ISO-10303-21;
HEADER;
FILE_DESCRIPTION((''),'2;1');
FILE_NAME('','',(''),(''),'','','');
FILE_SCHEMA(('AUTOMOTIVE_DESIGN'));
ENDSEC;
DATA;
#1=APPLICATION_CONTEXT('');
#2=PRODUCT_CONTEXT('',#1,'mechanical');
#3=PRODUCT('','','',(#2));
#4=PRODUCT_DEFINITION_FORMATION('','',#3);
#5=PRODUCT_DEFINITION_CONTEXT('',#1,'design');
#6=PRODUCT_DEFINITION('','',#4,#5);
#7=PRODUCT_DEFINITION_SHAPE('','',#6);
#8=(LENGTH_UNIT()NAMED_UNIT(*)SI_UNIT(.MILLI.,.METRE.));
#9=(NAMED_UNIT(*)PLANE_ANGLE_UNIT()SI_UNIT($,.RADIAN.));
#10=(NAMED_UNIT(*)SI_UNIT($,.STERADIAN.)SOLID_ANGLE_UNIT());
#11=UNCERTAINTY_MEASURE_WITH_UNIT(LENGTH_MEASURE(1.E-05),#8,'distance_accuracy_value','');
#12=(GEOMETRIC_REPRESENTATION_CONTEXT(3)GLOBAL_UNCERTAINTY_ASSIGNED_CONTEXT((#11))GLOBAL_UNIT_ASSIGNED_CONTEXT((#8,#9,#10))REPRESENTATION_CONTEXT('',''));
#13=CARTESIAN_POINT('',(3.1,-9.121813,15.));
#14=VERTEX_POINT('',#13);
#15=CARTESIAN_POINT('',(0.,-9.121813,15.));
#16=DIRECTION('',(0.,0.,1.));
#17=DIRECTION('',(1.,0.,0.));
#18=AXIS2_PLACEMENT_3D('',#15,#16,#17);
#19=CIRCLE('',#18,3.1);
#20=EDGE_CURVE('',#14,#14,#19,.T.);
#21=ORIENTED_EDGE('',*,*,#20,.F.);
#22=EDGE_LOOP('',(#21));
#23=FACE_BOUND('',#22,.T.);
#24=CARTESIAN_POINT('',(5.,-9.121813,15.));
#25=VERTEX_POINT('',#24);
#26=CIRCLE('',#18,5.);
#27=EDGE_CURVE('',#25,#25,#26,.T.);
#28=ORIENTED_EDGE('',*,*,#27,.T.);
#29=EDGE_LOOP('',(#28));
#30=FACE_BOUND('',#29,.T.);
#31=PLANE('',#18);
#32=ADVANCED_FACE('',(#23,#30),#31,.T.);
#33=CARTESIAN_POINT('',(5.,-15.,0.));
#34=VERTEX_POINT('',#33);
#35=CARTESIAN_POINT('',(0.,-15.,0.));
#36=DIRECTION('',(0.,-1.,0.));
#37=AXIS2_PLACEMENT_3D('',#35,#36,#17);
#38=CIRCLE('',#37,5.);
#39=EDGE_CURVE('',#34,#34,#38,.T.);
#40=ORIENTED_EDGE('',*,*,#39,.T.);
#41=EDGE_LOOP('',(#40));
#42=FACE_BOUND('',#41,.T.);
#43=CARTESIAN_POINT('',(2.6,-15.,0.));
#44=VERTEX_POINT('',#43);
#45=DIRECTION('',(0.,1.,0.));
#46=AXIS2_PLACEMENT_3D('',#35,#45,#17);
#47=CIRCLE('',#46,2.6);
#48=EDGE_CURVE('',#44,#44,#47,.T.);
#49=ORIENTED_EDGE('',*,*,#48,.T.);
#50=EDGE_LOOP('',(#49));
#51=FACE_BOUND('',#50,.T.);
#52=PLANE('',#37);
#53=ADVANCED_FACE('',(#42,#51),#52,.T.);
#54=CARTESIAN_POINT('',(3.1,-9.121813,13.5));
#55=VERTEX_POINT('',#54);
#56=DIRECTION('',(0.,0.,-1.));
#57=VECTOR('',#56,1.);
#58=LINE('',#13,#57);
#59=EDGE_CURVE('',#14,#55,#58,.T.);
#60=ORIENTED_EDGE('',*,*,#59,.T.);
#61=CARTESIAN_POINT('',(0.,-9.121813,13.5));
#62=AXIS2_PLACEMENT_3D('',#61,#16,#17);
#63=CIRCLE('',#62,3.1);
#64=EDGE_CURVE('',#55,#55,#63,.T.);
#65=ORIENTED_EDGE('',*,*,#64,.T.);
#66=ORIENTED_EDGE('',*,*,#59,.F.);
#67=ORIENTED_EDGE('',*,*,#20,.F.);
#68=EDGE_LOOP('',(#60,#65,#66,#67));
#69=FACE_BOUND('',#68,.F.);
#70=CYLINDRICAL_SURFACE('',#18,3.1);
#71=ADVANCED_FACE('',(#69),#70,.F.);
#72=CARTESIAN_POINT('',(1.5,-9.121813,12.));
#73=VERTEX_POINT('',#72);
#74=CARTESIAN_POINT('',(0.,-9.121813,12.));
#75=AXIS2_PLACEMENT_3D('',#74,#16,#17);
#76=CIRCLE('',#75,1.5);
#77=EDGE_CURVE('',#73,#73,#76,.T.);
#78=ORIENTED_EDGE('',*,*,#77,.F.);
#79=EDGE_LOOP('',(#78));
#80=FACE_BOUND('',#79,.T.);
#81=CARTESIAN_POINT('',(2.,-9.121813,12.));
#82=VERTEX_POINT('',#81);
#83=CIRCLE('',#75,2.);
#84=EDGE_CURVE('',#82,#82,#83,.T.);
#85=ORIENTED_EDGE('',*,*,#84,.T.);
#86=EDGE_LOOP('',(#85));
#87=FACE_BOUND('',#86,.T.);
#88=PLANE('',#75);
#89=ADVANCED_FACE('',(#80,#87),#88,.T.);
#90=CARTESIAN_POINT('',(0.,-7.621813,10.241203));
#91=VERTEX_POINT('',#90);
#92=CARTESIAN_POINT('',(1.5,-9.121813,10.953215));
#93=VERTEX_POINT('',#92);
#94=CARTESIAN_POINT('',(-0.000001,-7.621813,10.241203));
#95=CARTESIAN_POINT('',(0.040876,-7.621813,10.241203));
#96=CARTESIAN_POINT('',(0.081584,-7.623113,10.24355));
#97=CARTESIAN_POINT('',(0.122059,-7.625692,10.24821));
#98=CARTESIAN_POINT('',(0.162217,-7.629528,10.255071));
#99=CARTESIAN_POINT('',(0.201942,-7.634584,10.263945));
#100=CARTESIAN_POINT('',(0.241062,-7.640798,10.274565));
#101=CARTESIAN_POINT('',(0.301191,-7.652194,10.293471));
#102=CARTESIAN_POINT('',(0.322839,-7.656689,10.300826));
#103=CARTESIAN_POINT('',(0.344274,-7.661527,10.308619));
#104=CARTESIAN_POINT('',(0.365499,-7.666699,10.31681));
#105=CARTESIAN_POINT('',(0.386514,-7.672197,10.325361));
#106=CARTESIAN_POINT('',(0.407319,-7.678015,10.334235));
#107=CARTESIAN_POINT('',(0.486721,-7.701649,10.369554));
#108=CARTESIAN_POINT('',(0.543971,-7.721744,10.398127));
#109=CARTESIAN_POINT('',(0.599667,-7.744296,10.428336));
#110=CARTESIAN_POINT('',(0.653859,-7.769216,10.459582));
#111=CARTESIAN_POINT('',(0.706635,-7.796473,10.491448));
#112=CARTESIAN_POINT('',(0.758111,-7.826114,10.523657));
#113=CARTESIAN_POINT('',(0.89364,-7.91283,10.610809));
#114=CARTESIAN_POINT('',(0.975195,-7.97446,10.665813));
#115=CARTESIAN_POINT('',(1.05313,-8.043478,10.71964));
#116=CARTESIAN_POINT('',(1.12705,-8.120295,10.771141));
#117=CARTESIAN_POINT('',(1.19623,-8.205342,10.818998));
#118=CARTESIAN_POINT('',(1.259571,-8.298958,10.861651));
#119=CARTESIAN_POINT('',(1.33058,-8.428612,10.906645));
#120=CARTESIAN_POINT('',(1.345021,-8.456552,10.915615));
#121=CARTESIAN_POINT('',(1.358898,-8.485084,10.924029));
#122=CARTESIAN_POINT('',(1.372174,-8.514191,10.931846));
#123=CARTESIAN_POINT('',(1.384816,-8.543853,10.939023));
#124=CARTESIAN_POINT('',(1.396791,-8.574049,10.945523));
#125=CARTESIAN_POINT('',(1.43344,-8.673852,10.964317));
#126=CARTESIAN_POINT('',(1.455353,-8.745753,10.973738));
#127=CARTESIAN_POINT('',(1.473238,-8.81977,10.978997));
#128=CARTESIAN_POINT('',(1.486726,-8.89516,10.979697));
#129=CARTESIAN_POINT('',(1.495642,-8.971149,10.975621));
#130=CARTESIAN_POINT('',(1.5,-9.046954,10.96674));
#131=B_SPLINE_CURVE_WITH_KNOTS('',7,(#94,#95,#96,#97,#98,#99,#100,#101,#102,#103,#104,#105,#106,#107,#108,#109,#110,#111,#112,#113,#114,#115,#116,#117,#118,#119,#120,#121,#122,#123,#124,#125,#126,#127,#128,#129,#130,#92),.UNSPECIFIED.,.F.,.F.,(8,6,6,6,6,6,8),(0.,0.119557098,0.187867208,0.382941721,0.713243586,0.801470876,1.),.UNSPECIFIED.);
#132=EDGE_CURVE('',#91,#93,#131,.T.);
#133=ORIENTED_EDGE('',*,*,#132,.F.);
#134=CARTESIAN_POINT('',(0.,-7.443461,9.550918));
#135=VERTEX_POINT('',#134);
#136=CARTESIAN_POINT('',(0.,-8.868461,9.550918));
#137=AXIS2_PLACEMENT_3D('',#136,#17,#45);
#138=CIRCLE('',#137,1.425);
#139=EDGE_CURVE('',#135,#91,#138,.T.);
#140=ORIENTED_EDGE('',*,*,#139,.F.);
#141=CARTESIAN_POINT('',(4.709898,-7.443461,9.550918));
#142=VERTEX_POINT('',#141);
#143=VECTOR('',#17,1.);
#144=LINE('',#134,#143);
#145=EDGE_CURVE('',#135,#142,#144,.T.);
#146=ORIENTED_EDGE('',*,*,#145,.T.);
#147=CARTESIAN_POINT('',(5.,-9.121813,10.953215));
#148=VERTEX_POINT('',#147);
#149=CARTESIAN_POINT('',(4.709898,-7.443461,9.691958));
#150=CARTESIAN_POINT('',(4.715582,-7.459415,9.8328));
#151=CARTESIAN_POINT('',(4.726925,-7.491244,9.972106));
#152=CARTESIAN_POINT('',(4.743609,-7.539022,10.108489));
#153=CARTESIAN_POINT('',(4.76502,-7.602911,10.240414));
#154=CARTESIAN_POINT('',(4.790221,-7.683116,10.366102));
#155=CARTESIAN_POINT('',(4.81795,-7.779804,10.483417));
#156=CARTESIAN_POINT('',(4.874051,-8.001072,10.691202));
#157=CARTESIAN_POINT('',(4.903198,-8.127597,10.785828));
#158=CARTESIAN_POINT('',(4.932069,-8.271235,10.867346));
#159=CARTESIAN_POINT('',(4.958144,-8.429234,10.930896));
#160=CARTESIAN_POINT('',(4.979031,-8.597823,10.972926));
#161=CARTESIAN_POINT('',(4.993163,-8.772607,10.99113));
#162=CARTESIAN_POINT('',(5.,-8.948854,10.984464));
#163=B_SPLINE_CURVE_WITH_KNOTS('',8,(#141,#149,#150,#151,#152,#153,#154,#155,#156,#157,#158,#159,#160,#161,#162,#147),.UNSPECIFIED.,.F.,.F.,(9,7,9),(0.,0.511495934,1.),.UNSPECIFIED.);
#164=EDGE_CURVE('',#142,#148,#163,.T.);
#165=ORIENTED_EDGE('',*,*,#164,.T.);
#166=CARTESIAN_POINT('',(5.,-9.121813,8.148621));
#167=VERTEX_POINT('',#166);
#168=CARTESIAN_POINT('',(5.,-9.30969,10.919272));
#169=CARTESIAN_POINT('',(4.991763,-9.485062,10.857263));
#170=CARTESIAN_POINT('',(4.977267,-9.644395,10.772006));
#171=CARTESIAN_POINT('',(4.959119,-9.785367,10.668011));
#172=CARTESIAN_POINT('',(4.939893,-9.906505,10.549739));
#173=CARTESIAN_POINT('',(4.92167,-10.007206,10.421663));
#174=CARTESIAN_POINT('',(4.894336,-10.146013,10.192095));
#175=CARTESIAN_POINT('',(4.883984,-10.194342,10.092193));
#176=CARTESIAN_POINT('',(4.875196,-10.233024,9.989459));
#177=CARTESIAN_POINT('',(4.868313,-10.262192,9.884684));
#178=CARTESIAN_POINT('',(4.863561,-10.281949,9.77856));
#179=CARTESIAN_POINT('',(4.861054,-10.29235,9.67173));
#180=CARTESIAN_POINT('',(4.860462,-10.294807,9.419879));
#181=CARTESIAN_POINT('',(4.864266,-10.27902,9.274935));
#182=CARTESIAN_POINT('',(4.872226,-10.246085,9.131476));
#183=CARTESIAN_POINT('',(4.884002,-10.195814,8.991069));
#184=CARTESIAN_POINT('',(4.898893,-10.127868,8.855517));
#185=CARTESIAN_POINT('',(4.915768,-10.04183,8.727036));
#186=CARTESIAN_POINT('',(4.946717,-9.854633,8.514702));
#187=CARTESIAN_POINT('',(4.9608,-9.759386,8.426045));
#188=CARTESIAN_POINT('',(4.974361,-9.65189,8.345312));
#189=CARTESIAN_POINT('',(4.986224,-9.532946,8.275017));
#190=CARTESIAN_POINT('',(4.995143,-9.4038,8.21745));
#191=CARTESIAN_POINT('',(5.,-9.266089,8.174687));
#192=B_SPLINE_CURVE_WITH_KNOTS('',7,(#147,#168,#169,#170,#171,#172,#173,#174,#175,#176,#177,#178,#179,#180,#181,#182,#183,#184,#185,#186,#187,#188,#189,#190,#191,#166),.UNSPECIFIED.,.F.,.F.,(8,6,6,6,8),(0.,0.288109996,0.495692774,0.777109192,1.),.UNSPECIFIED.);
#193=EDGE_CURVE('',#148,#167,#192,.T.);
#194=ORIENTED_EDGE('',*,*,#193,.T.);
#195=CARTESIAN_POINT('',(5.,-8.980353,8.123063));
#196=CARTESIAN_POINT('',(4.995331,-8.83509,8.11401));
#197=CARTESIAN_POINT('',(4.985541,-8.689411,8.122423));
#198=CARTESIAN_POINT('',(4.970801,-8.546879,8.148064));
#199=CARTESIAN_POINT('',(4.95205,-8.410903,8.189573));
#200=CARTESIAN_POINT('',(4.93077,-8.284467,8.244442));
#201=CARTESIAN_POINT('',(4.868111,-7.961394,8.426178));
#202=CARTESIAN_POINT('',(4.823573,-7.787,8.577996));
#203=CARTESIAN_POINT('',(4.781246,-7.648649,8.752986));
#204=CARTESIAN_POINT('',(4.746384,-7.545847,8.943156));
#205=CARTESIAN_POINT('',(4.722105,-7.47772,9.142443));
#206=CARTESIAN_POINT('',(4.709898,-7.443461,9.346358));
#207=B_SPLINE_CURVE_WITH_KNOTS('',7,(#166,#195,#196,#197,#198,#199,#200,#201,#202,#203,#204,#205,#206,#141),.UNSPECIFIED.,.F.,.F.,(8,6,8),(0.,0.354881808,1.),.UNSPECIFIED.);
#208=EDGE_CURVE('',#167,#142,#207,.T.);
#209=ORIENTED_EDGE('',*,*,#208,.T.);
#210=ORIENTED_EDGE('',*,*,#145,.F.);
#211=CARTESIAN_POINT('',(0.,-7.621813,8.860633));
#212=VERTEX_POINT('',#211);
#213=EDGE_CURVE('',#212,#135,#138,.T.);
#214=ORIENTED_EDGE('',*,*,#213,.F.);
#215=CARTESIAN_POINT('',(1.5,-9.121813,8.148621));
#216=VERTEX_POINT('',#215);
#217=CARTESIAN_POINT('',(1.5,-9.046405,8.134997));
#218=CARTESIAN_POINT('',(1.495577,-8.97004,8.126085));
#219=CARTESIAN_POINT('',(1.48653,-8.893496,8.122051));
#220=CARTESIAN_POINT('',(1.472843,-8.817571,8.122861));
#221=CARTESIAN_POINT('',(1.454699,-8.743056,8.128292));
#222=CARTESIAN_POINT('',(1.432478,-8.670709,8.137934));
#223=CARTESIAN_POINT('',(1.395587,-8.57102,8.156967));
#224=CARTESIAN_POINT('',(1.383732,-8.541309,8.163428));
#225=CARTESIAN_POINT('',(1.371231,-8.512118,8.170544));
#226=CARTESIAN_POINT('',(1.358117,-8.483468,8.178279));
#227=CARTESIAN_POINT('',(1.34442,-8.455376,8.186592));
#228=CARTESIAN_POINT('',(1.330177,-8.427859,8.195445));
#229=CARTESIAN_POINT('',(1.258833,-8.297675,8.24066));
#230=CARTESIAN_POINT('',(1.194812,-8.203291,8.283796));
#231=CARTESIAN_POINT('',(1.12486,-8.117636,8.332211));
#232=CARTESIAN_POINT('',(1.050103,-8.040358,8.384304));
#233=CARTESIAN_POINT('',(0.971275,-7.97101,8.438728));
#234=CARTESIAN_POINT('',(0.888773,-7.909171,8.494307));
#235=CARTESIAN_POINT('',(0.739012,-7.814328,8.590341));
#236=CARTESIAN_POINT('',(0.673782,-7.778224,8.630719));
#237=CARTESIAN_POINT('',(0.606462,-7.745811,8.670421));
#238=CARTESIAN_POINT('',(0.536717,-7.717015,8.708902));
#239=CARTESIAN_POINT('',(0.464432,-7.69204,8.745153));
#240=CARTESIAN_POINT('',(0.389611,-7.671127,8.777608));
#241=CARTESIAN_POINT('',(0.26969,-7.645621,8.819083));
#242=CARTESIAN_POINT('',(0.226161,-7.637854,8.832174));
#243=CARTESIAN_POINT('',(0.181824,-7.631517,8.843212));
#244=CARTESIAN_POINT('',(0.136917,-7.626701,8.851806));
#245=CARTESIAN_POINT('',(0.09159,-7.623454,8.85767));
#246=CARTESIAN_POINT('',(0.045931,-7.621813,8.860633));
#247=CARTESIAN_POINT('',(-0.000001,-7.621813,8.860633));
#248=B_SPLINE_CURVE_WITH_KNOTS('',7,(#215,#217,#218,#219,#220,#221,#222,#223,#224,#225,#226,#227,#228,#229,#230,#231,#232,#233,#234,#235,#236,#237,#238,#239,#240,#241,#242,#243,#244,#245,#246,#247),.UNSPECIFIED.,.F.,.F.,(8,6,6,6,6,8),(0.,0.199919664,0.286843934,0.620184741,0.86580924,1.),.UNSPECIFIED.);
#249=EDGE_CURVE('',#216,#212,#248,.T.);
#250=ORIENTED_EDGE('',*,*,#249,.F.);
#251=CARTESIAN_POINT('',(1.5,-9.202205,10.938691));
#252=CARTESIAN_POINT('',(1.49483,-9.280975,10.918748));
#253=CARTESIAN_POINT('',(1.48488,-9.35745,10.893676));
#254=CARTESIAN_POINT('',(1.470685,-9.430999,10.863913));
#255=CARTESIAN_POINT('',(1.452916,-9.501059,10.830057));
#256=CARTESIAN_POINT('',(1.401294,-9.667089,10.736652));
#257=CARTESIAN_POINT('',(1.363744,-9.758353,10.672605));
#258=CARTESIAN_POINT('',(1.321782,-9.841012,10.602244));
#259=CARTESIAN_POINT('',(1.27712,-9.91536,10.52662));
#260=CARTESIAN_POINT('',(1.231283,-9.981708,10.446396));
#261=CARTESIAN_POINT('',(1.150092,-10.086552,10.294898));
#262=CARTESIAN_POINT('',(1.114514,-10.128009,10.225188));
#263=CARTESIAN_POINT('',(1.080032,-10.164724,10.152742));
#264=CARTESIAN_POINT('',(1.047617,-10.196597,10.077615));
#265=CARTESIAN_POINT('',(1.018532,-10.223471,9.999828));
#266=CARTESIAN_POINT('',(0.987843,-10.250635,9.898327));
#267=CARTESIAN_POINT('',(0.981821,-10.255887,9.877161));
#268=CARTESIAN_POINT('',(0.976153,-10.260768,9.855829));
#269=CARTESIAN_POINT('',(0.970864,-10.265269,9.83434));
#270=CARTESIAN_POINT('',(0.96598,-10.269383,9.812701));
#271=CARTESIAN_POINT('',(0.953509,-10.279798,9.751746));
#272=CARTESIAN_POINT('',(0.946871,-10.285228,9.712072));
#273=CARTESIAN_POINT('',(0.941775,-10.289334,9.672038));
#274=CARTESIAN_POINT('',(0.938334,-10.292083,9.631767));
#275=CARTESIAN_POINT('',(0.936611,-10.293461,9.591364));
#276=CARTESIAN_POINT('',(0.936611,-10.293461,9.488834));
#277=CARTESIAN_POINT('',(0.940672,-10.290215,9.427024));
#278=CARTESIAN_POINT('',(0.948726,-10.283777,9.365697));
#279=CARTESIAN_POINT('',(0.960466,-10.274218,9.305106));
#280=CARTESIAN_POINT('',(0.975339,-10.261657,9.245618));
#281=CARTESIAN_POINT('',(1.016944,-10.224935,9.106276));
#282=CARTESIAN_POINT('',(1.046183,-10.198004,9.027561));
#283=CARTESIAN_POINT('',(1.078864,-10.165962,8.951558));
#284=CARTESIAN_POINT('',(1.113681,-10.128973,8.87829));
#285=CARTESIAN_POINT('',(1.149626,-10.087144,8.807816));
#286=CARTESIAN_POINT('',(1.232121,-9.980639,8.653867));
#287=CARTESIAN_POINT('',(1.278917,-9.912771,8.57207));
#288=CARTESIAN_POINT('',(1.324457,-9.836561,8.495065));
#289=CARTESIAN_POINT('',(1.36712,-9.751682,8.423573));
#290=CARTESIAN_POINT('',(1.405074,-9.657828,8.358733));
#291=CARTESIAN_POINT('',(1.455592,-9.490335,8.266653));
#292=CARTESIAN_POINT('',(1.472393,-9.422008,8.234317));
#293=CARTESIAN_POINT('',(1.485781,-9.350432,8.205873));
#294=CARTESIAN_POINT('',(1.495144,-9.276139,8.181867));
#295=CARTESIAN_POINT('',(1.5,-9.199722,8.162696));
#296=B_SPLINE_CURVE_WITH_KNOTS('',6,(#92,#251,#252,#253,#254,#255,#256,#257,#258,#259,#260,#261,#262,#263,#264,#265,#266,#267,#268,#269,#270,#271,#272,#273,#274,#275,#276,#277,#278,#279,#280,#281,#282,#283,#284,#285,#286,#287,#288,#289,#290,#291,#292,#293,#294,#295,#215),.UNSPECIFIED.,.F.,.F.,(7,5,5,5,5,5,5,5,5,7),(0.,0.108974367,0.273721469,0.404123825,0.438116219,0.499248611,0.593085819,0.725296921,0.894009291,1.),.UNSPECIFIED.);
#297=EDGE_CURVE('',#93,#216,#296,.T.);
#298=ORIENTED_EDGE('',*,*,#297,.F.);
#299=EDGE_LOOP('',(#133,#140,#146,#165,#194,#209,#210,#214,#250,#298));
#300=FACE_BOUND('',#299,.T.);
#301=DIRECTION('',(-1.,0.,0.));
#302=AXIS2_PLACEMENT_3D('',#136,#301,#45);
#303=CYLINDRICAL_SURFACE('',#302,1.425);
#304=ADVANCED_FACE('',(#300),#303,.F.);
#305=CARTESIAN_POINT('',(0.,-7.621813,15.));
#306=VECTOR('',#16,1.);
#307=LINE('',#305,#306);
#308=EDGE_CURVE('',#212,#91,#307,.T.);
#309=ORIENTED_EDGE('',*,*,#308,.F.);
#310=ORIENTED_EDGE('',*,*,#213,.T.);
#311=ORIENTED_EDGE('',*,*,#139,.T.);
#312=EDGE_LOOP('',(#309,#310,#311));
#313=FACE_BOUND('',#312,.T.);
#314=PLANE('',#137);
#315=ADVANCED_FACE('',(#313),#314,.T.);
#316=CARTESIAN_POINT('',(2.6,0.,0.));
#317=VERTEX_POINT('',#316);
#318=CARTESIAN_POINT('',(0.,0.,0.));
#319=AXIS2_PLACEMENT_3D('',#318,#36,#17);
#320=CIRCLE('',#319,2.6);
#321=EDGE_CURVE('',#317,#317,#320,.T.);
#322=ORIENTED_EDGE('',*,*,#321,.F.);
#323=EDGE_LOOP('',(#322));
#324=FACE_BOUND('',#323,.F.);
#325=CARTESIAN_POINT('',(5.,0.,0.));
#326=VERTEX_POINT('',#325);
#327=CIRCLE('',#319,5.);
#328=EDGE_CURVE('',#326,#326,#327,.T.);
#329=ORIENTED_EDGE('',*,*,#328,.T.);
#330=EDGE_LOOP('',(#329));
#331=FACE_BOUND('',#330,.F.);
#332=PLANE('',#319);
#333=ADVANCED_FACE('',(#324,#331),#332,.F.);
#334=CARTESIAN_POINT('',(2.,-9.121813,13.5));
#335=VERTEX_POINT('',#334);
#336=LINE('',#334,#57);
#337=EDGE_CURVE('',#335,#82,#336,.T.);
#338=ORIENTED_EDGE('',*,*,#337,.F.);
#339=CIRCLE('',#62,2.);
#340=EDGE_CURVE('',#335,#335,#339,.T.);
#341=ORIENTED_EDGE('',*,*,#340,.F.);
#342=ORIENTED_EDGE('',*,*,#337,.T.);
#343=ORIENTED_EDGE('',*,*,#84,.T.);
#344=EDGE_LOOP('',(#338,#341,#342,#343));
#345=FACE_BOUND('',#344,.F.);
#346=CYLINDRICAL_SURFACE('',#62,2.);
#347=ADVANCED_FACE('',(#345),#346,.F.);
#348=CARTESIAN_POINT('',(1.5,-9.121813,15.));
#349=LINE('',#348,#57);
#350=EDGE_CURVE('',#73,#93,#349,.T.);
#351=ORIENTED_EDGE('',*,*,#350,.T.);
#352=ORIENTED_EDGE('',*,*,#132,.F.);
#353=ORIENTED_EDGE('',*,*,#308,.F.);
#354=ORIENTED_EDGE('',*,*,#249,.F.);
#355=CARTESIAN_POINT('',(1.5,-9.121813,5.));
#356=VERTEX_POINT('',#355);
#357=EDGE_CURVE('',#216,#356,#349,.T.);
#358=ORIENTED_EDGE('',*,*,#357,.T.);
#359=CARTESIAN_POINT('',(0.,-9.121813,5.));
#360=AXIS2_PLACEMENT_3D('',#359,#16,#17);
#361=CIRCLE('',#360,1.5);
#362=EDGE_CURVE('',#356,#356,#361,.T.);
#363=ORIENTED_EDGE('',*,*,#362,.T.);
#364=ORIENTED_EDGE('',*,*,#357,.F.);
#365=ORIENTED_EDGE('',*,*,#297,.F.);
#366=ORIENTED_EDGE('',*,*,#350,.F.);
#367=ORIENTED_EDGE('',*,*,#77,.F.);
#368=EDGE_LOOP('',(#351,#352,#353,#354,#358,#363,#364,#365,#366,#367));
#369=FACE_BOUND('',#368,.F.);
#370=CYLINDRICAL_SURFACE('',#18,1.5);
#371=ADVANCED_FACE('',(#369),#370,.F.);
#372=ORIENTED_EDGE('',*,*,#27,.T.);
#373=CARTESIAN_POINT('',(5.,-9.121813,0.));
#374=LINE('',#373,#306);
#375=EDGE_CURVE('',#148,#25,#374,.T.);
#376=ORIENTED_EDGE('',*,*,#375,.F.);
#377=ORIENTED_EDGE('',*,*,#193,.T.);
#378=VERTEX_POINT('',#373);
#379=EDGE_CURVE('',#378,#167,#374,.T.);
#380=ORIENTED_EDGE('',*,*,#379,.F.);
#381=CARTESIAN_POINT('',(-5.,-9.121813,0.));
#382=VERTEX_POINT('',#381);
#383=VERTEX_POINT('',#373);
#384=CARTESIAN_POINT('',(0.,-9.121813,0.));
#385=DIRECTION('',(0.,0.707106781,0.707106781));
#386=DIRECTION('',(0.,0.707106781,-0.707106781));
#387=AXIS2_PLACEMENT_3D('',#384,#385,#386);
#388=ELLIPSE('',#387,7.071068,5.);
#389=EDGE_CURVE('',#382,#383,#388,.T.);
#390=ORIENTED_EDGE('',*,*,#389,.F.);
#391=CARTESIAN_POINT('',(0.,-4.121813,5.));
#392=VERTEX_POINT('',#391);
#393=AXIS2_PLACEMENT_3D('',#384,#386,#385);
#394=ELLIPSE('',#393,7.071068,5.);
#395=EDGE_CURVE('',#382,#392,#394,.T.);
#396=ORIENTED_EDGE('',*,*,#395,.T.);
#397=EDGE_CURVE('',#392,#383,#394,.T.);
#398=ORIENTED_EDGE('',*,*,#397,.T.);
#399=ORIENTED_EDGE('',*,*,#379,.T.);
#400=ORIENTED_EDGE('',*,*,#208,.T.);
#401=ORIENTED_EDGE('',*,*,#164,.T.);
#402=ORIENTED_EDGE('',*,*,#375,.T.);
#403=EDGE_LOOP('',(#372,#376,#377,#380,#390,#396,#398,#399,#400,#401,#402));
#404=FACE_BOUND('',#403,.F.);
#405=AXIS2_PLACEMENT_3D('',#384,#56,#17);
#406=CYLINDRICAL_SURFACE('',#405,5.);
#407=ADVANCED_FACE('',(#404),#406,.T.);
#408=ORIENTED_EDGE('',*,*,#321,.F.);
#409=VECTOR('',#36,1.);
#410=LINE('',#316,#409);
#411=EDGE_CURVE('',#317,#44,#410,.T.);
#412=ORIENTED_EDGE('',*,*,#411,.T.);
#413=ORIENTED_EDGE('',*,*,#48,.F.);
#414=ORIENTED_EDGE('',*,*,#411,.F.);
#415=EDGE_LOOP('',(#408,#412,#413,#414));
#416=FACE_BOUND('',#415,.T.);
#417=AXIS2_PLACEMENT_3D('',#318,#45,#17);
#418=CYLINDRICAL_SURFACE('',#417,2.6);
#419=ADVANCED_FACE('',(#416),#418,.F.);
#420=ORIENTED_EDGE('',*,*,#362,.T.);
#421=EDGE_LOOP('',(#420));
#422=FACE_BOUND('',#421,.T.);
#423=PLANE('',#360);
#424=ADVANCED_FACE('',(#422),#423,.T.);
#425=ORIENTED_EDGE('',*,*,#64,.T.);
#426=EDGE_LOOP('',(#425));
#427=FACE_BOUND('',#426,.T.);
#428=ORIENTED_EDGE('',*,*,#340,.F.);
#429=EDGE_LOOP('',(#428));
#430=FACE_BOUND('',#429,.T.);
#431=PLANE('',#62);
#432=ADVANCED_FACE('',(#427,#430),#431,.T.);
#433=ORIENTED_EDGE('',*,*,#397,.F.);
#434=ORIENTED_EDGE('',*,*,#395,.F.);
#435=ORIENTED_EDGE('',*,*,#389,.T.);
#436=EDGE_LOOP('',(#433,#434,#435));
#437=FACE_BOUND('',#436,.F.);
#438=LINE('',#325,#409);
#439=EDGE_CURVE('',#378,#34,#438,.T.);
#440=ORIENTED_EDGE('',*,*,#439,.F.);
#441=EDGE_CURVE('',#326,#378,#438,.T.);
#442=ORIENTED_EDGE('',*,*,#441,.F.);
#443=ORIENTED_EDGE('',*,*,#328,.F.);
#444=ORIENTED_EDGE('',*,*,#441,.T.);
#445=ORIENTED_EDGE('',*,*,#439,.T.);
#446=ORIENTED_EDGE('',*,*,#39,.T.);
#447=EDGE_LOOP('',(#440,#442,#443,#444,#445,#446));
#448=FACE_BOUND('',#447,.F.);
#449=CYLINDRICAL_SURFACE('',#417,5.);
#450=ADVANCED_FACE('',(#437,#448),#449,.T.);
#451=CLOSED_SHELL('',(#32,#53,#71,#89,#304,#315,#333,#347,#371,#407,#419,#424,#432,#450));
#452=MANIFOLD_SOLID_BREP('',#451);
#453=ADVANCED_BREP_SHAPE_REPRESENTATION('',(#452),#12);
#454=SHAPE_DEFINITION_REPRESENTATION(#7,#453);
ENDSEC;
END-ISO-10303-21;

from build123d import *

# Parameters (mm, degrees)
F0_R      = 5
F1_DEPTH  = 15
F2_R      = 5
F4_DEPTH  = 15
F3_R      = 2.6
F5_DEPTH  = 25
F6_R      = 1.5
F7_DEPTH  = 10
F8_R      = 3.1
F9_DEPTH  = 1.5
F10_R     = 1.425
F11_DEPTH = 25
F12_R     = 2
F13_DEPTH = 1.5


with BuildPart() as f1:
    # F0 (on Front) → F1 (new body)
    with BuildSketch(Plane.XZ):
        Circle(F0_R)
    extrude(amount=F1_DEPTH)

    # F2 (on Top) → F4 (join)
    with BuildSketch(Plane.XY):
        with Locations((0, -9.121813)):
            Circle(F2_R)
    extrude(amount=F4_DEPTH)

    # F3 (on Front) → F5 (cut)
    with BuildSketch(Plane.XZ):
        Circle(F3_R)
    extrude(amount=F5_DEPTH, mode=Mode.SUBTRACT)

    # F6 (on face) → F7 (cut)
    with BuildSketch(Plane.XY.offset(15)):
        with Locations((0, -9.121813)):
            Circle(F6_R)
    extrude(amount=-F7_DEPTH, mode=Mode.SUBTRACT)

    # F8 (on face) → F9 (cut)
    with BuildSketch(Plane.XY.offset(15)):
        with Locations((0, -9.121813)):
            Circle(F8_R)
    extrude(amount=-F9_DEPTH, mode=Mode.SUBTRACT)

    # F10 (on Right) → F11 (cut)
    with BuildSketch(Plane.YZ):
        with Locations((-8.868461, 9.550918)):
            Circle(F10_R)
    extrude(amount=F11_DEPTH, mode=Mode.SUBTRACT)

    # F12 (on face) → F13 (cut)
    with BuildSketch(Plane.XY.offset(13.5)):
        with Locations((0, -9.121813)):
            Circle(F12_R)
    extrude(amount=-F13_DEPTH, mode=Mode.SUBTRACT)


solid = f1.part
